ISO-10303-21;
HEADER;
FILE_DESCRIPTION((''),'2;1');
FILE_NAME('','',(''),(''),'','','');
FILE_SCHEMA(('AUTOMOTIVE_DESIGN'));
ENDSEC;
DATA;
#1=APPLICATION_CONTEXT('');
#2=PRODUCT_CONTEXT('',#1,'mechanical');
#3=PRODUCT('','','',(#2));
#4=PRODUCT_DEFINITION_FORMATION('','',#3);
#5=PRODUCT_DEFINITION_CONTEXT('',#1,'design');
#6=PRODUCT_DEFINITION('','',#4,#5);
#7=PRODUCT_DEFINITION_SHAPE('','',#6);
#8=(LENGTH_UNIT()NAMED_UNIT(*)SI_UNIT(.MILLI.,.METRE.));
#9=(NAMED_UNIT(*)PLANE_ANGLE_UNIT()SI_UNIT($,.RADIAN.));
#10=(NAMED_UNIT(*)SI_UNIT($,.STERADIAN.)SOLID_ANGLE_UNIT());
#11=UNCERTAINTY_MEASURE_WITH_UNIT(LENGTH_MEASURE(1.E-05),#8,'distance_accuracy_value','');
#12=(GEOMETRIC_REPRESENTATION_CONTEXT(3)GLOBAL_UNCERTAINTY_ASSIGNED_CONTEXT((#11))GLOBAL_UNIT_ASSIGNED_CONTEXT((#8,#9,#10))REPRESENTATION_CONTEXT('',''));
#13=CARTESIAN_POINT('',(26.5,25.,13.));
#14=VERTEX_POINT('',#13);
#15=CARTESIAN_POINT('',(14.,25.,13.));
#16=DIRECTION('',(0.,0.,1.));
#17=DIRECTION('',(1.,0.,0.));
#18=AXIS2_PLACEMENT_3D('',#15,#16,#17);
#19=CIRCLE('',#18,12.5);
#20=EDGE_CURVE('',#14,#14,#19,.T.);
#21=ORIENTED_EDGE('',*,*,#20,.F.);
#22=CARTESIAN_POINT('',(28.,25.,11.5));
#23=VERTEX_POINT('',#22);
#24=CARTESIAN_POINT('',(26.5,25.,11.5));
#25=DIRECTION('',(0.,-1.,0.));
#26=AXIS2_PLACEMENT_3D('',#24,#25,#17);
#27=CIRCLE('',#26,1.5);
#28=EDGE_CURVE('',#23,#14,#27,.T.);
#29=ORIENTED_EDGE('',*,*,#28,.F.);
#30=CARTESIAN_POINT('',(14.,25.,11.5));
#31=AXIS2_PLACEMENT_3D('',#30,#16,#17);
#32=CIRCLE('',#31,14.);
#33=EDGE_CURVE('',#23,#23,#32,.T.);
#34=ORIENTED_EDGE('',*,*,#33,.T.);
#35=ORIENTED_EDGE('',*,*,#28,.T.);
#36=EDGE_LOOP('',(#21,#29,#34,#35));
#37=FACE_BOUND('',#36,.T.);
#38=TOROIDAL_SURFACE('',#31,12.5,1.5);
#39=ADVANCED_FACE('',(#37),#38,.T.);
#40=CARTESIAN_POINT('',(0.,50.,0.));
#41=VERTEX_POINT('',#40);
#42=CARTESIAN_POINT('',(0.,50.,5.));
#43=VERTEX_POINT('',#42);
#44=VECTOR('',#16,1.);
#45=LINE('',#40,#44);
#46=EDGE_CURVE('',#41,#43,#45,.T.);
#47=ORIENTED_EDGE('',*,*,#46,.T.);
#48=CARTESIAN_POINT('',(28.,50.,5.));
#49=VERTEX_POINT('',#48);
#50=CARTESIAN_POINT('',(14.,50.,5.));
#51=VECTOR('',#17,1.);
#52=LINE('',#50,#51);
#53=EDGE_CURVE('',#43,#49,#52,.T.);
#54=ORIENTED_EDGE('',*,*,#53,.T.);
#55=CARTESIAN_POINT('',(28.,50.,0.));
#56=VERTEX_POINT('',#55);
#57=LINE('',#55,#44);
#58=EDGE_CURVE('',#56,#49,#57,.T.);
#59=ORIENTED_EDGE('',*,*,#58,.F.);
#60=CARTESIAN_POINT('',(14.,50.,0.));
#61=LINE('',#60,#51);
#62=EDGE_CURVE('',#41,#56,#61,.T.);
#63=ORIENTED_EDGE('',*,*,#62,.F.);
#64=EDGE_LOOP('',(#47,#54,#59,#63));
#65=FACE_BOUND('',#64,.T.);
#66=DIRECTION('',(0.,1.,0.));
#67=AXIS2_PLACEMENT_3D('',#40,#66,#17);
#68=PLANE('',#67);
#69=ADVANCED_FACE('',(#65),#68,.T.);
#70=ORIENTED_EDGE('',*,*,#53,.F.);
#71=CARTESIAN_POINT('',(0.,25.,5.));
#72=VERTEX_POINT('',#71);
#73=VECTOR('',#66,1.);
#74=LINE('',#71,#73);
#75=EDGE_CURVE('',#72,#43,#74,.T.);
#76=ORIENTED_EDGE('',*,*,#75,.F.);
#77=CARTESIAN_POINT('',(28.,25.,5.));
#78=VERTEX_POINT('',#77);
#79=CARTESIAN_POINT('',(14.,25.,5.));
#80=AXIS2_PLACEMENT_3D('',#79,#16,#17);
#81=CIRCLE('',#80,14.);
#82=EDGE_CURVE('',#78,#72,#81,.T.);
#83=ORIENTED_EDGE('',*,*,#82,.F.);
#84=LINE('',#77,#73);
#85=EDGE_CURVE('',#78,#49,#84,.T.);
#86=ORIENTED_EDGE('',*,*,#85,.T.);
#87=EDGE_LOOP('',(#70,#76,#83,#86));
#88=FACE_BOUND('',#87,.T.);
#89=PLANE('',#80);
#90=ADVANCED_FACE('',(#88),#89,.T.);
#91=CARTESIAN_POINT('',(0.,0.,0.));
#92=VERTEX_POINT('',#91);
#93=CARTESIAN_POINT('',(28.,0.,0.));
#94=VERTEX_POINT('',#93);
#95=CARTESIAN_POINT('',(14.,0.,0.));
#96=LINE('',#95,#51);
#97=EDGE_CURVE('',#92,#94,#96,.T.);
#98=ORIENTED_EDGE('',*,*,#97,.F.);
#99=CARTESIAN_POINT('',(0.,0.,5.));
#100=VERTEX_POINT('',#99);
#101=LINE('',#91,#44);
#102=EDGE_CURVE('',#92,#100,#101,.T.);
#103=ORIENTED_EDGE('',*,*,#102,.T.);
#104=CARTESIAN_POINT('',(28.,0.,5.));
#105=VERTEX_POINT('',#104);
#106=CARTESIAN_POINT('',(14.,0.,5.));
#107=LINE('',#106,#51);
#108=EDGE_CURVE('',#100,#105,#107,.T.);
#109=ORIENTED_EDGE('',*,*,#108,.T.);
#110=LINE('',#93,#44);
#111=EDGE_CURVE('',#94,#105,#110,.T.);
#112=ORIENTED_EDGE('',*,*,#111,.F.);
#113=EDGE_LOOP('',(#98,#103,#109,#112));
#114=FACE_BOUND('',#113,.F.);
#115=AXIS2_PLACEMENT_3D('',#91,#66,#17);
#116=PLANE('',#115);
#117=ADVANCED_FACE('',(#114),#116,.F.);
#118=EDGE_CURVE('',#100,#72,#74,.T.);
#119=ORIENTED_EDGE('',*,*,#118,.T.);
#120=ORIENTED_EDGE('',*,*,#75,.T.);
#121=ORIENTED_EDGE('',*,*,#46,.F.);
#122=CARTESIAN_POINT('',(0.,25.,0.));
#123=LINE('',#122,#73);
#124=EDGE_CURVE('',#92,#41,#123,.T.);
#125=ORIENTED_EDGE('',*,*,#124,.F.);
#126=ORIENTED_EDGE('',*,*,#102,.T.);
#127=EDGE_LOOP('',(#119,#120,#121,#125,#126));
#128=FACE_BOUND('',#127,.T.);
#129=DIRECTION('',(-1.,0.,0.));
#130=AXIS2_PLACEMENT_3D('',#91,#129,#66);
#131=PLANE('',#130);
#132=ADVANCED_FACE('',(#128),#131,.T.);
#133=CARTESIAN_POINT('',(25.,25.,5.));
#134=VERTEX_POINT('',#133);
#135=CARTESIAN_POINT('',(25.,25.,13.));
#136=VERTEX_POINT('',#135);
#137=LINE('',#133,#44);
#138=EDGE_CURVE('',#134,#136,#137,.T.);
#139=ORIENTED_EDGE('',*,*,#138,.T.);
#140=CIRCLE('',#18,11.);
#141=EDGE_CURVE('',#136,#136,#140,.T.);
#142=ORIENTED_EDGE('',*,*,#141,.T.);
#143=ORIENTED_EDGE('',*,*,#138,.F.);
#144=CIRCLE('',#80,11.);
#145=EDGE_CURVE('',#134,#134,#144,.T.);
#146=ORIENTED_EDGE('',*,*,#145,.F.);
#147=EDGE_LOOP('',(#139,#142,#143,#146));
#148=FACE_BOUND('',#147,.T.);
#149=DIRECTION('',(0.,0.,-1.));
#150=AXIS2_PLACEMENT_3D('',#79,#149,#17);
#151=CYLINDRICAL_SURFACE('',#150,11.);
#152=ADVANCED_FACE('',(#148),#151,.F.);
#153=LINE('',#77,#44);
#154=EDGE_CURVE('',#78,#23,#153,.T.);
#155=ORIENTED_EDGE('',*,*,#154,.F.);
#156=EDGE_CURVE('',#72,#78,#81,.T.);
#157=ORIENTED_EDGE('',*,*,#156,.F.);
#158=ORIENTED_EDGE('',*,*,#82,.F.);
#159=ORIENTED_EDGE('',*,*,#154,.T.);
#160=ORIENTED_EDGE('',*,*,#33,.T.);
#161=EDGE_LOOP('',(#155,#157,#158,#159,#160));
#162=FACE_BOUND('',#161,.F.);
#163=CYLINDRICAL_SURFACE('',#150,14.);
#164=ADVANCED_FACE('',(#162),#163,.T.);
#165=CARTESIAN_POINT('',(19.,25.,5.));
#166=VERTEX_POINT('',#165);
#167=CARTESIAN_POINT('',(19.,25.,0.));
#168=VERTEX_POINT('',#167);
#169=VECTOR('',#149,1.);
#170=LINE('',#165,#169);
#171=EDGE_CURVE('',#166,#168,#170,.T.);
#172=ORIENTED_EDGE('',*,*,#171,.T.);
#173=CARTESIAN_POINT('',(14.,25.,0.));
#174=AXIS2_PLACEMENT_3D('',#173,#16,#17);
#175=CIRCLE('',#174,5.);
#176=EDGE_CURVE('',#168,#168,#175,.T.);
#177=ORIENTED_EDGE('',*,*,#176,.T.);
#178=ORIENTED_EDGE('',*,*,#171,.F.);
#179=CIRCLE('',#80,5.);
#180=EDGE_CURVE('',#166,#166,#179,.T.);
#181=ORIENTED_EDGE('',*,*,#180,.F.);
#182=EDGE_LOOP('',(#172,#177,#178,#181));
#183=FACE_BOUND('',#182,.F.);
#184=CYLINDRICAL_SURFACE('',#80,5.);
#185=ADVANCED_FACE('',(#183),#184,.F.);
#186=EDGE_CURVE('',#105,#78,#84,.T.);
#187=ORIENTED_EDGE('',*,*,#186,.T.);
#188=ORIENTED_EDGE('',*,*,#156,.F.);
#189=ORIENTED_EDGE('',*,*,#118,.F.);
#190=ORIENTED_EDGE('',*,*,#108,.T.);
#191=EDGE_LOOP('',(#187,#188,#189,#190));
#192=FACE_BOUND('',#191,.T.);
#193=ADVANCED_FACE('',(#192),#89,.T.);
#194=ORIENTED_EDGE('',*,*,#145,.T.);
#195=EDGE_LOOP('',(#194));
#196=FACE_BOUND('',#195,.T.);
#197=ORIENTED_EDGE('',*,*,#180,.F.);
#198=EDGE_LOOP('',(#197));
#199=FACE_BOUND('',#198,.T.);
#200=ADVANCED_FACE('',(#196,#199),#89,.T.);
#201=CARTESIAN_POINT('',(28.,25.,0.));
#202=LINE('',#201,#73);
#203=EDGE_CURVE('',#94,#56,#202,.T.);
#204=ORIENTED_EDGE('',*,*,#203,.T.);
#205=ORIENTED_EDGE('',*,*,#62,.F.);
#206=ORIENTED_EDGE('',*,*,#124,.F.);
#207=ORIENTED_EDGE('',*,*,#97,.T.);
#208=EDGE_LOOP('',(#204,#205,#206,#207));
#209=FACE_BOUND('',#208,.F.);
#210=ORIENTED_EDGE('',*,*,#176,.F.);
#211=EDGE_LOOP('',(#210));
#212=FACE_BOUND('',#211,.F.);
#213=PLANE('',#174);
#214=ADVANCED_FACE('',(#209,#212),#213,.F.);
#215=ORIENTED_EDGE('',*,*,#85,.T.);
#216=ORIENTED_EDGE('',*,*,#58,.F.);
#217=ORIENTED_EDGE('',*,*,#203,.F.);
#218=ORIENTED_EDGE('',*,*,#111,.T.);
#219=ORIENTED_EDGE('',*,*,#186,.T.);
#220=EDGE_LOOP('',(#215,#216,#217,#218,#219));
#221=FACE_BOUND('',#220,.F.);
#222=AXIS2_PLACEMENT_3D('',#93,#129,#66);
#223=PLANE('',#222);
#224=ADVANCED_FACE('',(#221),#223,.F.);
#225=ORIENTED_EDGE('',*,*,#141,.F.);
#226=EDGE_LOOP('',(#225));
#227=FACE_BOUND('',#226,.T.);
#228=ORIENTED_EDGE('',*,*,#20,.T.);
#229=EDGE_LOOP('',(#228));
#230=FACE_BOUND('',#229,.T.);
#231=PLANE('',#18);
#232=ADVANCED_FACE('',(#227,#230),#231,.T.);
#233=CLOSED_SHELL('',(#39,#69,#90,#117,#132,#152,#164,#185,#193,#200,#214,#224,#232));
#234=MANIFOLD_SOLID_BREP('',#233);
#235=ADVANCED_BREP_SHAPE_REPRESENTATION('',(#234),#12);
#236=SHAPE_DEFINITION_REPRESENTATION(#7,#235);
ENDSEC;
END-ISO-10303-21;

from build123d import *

# Parameters (mm, degrees)
F0_W     = 28
F0_H     = 50
F1_DEPTH = 5
F2_R     = 5
F3_DEPTH = 5
F4_R     = 14
F4_R_2   = 11
F5_DEPTH = 8
F6_R     = 1.5


with BuildPart() as f1:
    # F0 (on Top) → F1 (new body)
    with BuildSketch(Plane.XY):
        with Locations((14, 25)):
            Rectangle(F0_W, F0_H)
    extrude(amount=F1_DEPTH)

    # F2 (on face) → F3 (cut, through all)
    with BuildSketch(Plane.XY.offset(5)):
        with Locations((14, 25)):
            Circle(F2_R)
    extrude(amount=-F3_DEPTH, mode=Mode.SUBTRACT)

    # F4 (on face) → F5 (join)
    with BuildSketch(Plane.XY.offset(5)):
        with Locations((14, 25)):
            Circle(F4_R)
        with Locations((14, 25)):
            Circle(F4_R_2, mode=Mode.SUBTRACT)
    extrude(amount=F5_DEPTH)

    # F6
    f6_edges = [f1.edges().sort_by_distance(p)[0] for p in [
        (0, 25, 13),
    ]]
    fillet(f6_edges, radius=F6_R)


solid = f1.part
